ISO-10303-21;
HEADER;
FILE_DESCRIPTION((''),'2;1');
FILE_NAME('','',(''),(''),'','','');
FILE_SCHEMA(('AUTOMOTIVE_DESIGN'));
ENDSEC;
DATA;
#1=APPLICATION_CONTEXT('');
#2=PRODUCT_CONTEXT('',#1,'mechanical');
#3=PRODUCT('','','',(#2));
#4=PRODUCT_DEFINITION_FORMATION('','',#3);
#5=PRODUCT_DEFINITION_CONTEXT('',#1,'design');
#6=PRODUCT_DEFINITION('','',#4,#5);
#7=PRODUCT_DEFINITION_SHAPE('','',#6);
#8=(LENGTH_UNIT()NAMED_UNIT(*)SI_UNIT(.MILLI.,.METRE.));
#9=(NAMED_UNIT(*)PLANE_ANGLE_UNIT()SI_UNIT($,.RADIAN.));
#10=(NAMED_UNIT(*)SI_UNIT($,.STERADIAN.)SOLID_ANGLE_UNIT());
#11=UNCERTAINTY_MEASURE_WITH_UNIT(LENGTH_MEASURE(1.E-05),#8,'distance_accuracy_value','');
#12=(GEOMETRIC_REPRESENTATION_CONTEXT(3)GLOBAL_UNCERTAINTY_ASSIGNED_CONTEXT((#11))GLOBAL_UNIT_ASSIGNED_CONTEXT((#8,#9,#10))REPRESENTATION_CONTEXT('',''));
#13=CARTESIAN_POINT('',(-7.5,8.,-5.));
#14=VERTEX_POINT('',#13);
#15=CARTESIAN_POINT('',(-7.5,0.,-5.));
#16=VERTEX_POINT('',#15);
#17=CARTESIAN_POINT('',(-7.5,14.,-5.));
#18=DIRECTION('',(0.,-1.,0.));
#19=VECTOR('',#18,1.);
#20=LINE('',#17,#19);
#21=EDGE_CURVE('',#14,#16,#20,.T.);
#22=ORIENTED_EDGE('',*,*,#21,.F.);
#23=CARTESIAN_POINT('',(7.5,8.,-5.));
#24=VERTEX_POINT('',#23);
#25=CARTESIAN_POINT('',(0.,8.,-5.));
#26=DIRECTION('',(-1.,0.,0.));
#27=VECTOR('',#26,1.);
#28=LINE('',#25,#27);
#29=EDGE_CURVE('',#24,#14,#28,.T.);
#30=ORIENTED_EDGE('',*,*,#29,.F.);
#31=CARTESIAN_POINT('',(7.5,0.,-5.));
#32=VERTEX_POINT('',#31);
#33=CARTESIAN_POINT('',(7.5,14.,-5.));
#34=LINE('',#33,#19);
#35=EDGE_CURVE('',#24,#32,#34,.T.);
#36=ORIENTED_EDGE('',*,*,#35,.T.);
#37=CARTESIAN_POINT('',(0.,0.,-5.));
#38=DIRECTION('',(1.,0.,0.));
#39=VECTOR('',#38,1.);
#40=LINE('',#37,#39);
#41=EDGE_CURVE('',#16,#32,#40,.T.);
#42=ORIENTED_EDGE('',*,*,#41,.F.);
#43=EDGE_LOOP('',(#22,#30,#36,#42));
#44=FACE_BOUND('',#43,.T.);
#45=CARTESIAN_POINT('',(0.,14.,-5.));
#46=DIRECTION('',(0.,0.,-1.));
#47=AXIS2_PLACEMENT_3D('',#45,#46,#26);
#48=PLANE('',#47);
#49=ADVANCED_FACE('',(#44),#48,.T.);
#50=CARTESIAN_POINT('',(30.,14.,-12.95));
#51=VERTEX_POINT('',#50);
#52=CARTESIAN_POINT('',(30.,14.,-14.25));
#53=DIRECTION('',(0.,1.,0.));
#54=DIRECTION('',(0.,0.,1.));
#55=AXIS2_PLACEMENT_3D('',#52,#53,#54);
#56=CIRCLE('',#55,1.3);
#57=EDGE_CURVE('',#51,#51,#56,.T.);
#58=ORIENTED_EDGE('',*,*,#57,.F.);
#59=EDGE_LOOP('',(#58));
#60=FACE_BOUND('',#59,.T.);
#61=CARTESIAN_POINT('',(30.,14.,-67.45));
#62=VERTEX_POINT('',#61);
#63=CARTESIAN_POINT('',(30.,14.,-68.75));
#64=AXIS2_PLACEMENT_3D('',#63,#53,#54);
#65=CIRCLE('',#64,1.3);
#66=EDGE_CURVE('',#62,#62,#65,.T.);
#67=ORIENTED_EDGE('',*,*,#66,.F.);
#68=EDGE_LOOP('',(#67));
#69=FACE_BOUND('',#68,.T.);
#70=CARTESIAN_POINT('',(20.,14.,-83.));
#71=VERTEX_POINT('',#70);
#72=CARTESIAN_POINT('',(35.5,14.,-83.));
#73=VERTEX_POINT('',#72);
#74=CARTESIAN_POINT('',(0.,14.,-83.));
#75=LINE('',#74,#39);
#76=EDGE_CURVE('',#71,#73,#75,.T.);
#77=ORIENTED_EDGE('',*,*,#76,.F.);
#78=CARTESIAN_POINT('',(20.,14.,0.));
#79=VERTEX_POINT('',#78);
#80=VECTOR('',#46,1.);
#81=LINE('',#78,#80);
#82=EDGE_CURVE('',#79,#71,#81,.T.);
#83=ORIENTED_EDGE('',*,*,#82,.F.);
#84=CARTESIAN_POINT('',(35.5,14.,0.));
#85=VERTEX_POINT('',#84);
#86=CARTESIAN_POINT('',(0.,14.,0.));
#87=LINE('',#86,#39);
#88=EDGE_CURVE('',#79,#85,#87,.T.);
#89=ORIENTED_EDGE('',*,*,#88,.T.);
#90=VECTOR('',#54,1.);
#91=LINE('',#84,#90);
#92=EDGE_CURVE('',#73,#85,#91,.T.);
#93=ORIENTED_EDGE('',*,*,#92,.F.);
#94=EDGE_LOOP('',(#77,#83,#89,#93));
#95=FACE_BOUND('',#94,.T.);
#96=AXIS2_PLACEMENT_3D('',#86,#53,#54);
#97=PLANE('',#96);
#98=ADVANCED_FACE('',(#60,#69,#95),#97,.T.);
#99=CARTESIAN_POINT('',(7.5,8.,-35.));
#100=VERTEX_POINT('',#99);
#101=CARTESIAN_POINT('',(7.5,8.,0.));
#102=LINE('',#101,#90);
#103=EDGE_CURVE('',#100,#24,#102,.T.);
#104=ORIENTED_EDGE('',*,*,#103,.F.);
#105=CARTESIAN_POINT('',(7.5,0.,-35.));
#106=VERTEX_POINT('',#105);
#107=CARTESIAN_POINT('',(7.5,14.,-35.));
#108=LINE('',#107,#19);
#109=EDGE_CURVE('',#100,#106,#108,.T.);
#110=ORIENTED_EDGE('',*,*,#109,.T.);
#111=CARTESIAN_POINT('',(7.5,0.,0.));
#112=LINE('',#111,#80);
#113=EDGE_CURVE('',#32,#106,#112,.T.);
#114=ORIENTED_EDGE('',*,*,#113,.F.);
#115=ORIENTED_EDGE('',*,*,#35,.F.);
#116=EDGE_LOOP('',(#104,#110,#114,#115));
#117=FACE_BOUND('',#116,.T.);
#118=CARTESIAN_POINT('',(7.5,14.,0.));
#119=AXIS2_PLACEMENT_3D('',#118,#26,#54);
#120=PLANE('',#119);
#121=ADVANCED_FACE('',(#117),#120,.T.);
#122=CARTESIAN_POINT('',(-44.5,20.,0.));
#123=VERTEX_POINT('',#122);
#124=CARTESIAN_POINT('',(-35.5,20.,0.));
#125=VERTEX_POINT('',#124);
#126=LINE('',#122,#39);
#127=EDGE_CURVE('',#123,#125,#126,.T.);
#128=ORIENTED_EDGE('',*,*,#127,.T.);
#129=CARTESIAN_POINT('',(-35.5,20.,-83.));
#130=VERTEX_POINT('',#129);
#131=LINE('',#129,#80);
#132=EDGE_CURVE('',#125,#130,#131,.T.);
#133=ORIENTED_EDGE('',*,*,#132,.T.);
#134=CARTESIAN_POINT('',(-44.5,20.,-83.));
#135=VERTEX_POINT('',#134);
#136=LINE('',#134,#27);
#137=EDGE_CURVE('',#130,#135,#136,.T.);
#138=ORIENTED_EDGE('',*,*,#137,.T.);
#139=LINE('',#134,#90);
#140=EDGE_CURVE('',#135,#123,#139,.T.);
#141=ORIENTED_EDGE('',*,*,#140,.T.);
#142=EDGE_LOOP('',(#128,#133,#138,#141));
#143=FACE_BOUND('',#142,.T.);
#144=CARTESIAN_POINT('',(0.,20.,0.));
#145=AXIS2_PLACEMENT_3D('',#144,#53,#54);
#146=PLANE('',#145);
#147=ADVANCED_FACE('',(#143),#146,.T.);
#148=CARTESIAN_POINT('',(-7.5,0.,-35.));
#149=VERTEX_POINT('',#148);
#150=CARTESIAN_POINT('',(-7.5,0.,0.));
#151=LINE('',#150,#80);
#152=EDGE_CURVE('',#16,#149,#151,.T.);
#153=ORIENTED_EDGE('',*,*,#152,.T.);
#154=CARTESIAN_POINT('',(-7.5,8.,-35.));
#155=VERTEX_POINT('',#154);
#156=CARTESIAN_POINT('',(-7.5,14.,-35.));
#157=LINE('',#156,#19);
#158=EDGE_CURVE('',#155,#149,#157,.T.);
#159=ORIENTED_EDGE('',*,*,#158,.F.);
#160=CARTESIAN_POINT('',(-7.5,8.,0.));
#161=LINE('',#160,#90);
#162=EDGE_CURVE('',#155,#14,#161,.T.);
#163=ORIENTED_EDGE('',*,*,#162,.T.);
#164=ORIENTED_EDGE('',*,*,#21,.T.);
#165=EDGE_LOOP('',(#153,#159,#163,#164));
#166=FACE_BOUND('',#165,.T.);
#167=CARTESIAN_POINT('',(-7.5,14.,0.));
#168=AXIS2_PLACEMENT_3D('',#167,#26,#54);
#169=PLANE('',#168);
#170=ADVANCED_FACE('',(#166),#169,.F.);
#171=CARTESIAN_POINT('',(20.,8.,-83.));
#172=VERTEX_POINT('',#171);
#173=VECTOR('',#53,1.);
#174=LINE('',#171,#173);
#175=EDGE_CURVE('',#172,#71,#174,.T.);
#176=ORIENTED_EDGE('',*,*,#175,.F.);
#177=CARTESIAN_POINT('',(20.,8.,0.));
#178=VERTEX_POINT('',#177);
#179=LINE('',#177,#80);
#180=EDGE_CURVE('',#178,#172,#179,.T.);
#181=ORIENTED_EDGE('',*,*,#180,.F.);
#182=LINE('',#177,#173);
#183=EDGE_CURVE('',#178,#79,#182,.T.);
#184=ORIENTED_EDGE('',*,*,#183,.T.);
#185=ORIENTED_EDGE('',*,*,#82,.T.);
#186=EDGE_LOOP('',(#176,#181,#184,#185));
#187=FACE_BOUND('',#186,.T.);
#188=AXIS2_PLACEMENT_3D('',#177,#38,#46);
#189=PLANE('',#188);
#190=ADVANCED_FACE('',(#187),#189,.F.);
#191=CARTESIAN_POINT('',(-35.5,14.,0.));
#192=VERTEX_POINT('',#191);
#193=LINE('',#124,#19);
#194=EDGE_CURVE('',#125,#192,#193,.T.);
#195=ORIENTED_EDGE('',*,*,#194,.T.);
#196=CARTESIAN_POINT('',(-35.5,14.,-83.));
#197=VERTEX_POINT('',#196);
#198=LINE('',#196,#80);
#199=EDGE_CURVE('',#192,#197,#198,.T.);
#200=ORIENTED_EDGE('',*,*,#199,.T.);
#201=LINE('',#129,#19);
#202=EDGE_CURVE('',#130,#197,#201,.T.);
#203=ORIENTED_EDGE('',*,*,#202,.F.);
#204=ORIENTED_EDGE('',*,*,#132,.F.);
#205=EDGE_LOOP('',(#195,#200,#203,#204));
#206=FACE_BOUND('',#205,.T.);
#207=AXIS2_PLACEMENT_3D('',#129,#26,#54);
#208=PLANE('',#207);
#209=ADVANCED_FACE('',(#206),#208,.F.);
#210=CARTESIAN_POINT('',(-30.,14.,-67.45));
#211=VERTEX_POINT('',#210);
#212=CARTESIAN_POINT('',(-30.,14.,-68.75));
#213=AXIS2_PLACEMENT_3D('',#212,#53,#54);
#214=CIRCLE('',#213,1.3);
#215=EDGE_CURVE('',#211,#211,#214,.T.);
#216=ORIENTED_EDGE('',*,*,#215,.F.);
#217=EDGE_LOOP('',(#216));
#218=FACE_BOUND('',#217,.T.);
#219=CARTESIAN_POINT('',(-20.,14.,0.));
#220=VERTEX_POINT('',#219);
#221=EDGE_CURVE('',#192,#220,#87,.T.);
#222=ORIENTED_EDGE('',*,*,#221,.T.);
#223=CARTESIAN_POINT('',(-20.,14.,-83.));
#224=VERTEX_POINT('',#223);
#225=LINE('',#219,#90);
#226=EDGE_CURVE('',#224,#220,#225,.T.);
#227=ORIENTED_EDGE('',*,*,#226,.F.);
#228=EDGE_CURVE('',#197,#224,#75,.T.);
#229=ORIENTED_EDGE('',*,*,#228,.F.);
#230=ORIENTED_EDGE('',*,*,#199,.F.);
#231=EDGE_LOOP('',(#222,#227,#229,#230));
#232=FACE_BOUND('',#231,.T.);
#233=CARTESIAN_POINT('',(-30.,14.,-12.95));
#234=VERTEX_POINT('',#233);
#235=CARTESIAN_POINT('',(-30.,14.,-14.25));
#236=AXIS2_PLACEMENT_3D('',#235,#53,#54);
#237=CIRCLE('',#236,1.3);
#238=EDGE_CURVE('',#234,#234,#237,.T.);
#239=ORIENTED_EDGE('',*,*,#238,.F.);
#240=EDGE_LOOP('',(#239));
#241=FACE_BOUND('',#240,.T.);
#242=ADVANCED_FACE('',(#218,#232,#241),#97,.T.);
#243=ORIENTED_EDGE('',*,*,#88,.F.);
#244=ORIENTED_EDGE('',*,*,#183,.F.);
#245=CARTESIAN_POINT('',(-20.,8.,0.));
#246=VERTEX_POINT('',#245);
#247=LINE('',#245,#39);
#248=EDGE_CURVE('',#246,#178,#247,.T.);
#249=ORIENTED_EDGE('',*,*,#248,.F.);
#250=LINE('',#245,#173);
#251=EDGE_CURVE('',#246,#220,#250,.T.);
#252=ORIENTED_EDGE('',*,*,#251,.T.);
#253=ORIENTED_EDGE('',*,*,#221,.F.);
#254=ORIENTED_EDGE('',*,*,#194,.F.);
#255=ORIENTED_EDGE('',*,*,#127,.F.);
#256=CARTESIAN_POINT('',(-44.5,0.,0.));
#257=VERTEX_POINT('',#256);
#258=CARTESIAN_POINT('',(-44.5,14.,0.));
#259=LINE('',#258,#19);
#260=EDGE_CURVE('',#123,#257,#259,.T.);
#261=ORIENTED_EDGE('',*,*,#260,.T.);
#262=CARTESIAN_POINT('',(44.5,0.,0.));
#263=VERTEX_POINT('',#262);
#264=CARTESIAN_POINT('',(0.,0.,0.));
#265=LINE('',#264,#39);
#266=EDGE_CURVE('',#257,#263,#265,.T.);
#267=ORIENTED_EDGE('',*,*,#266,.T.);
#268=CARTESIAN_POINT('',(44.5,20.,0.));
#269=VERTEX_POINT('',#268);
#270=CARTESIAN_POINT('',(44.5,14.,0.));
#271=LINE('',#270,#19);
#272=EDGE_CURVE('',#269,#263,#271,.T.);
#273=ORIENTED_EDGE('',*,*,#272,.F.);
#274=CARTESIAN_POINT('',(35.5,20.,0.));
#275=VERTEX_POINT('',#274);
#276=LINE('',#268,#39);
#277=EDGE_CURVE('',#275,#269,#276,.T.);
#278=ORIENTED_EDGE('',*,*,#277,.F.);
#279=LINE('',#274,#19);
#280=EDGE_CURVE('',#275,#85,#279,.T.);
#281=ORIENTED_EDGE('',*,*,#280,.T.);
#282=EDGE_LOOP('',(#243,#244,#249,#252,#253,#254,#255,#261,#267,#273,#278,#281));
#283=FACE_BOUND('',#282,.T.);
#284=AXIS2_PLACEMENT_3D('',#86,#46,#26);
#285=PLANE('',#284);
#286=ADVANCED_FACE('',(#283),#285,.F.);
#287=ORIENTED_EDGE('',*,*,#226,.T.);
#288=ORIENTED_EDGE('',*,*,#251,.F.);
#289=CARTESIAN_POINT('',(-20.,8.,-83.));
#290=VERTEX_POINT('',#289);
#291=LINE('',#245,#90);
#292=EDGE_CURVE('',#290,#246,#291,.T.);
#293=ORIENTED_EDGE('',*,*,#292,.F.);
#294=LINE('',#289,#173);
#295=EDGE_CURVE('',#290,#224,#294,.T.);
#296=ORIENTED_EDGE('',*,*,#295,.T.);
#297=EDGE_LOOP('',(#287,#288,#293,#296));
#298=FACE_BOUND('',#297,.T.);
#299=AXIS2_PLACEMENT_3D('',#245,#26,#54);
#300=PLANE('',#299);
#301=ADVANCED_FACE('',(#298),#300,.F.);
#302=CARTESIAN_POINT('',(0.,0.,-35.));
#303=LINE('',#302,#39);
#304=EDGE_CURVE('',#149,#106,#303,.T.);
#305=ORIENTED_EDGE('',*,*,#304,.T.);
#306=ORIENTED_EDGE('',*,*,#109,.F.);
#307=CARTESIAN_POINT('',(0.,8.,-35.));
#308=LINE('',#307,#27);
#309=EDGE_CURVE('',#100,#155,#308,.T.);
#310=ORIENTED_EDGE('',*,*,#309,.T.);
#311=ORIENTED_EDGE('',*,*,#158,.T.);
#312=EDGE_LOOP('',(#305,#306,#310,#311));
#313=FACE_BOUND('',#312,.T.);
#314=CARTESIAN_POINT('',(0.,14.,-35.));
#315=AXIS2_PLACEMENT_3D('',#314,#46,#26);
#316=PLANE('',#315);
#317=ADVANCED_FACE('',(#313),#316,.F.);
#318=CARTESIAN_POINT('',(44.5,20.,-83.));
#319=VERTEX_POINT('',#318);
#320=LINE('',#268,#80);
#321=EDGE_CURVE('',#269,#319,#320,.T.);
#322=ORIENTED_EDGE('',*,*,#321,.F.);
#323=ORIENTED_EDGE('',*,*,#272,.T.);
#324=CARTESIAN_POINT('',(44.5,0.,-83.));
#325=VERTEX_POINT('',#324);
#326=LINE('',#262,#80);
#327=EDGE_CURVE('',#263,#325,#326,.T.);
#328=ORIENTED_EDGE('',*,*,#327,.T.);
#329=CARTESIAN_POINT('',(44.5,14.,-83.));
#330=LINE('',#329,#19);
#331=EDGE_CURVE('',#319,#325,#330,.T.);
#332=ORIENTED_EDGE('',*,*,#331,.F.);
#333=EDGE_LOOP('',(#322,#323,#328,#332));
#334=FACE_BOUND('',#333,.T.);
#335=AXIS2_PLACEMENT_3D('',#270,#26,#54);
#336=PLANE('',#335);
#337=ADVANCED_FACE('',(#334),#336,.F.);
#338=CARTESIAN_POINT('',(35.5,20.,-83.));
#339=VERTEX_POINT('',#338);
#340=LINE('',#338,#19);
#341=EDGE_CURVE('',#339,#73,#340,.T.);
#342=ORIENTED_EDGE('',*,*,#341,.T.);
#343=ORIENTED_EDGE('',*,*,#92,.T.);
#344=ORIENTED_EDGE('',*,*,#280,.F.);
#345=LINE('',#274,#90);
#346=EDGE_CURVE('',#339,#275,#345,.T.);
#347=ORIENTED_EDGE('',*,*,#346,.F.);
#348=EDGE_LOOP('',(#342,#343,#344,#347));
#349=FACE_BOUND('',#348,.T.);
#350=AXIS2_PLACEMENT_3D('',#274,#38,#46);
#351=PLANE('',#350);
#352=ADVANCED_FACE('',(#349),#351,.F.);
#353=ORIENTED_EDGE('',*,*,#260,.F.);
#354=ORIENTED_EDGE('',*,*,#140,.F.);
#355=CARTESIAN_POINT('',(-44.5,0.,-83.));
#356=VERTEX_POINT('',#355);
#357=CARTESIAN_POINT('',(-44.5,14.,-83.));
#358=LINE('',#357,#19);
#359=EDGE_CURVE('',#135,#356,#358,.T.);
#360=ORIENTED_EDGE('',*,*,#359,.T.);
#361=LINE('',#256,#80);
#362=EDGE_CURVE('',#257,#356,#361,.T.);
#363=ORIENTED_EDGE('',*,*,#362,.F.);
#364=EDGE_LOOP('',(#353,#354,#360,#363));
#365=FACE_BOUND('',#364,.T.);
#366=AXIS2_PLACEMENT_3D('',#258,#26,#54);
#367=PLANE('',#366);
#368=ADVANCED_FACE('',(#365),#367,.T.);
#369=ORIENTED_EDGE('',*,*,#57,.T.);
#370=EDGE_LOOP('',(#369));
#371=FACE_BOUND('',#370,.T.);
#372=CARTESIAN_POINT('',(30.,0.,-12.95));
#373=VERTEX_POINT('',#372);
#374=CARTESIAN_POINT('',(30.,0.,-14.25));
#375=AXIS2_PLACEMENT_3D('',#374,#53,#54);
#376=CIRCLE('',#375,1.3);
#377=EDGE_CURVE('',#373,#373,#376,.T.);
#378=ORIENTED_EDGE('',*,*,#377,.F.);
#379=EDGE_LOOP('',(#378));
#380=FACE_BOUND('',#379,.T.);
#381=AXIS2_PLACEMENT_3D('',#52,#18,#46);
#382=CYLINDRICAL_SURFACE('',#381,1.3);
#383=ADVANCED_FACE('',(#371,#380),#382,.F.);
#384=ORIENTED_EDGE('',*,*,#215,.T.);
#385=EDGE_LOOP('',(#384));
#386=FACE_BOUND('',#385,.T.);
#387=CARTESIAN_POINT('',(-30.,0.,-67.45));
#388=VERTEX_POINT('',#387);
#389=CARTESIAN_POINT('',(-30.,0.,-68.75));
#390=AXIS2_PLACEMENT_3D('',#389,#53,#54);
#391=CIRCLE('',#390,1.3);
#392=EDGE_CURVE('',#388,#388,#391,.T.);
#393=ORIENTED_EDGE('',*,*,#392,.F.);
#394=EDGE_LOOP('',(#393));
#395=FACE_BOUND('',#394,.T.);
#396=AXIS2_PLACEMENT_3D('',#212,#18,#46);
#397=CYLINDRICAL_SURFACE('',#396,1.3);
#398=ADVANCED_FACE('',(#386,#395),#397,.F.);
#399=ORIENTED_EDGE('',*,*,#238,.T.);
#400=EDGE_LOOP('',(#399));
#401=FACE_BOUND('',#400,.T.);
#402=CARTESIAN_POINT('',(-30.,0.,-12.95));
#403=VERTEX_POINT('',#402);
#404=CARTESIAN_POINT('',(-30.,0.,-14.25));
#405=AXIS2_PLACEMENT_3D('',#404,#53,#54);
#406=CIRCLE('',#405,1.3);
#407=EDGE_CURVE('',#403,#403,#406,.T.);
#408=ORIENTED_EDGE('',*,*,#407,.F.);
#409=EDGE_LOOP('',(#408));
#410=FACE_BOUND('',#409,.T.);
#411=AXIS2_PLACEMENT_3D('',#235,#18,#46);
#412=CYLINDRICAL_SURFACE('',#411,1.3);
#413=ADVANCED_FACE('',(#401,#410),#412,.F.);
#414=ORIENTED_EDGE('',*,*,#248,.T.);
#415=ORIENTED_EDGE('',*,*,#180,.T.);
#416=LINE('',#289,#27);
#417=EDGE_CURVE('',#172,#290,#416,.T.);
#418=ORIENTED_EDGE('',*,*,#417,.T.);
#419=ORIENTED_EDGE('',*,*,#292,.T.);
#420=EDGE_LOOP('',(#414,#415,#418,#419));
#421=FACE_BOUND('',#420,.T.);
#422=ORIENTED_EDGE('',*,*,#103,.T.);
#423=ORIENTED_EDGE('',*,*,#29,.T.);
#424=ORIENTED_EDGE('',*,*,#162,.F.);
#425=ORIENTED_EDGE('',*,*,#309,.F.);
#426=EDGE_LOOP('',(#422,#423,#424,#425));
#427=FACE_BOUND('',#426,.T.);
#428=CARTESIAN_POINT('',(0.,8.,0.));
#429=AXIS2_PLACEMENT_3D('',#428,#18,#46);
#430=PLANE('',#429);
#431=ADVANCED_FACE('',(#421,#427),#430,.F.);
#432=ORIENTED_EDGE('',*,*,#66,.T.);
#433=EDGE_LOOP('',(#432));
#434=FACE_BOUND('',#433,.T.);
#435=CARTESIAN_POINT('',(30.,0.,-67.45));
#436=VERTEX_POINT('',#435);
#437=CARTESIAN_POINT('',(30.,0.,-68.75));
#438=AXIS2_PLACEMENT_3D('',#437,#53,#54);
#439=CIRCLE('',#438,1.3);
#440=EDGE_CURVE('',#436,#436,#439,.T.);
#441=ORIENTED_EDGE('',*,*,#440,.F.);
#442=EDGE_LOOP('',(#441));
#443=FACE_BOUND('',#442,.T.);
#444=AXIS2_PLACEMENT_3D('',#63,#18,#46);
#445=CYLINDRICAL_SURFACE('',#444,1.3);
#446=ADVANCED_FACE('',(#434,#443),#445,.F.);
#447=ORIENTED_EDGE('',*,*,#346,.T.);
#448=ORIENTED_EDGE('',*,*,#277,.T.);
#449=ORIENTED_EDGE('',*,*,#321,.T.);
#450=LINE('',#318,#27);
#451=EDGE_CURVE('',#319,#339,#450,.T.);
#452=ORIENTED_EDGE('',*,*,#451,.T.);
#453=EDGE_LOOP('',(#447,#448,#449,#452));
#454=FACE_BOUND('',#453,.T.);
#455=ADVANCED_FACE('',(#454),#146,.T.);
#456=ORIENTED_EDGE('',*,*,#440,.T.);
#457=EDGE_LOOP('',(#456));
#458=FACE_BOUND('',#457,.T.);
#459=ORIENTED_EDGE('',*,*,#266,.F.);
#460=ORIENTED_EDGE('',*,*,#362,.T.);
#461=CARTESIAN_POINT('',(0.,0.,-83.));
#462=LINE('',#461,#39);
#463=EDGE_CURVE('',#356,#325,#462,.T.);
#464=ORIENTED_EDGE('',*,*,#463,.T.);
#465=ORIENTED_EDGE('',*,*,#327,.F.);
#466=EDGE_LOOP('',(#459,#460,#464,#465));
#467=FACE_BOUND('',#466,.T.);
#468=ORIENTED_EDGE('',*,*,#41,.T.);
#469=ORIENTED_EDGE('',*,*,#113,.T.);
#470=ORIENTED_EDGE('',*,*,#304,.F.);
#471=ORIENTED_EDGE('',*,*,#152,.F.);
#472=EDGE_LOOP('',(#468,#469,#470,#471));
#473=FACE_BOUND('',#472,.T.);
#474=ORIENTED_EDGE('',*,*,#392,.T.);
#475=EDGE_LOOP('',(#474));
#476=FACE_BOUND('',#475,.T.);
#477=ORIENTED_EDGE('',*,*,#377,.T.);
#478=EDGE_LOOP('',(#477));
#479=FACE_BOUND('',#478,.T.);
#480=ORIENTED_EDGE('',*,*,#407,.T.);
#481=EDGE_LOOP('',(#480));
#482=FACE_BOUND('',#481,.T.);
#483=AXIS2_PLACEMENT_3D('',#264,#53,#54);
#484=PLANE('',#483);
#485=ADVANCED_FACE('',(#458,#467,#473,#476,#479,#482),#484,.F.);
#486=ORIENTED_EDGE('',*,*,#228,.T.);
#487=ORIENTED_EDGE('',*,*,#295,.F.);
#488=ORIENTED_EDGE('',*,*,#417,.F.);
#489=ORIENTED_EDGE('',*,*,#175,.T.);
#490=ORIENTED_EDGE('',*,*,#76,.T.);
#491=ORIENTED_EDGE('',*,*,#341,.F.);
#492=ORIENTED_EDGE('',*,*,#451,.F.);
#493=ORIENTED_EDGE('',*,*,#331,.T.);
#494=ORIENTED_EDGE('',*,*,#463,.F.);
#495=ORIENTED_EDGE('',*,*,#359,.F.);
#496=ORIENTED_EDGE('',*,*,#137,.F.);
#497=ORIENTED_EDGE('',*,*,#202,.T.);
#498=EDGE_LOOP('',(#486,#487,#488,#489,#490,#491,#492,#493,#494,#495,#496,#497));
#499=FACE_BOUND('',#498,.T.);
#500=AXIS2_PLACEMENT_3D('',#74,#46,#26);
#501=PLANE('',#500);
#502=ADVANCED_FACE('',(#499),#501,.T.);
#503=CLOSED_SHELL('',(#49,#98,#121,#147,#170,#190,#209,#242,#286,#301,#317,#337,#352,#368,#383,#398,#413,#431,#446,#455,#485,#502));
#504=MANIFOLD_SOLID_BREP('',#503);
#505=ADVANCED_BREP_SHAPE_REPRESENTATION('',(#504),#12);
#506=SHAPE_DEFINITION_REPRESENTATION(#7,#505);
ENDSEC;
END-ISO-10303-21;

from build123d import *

# Parameters (mm, degrees)
SKETCH1_W           = 89
SKETCH1_H           = 83
SKETCH1_R           = 1.3
SKETCH1_W_2         = 15
SKETCH1_H_2         = 30
MAIN_BODY_DEPTH     = 14
SKETCH2_W           = 40
SKETCH2_H           = 83
SCREW_GROOVE_DEPTH  = 6
SKETCH4_W           = 9
SKETCH4_H           = 83
BOSS_EXTRUDE2_DEPTH = 6


with BuildPart() as part:
    # Sketch1 → Main Body (new body)
    with BuildSketch(Plane(origin=(0, 0, 0), x_dir=(1, 0, 0), z_dir=(0, 1, 0))):
        with Locations((0, 41.5)):
            Rectangle(SKETCH1_W, SKETCH1_H)
        with Locations((30, 68.75)):
            Circle(SKETCH1_R, mode=Mode.SUBTRACT)
        with Locations((-30, 68.75)):
            Circle(SKETCH1_R, mode=Mode.SUBTRACT)
        with Locations((-30, 14.25)):
            Circle(SKETCH1_R, mode=Mode.SUBTRACT)
        with Locations((30, 14.25)):
            Circle(SKETCH1_R, mode=Mode.SUBTRACT)
        with Locations((0, 20)):
            Rectangle(SKETCH1_W_2, SKETCH1_H_2, mode=Mode.SUBTRACT)
    extrude(amount=MAIN_BODY_DEPTH)

    # Sketch2 → Screw Groove (cut)
    with BuildSketch(Plane(origin=(0, 14, 0), x_dir=(1, 0, 0), z_dir=(0, 1, 0))):
        with Locations((0, 41.5)):
            Rectangle(SKETCH2_W, SKETCH2_H)
    extrude(amount=-SCREW_GROOVE_DEPTH, mode=Mode.SUBTRACT)

    # Sketch4 → Boss-Extrude2 (add)
    with BuildSketch(Plane(origin=(0, 14, 0), x_dir=(1, 0, 0), z_dir=(0, 1, 0))):
        with Locations((-40, 41.5)):
            Rectangle(SKETCH4_W, SKETCH4_H)
        with Locations((40, 41.5)):
            Rectangle(SKETCH4_W, SKETCH4_H)
    extrude(amount=BOSS_EXTRUDE2_DEPTH)


solid = part.part
